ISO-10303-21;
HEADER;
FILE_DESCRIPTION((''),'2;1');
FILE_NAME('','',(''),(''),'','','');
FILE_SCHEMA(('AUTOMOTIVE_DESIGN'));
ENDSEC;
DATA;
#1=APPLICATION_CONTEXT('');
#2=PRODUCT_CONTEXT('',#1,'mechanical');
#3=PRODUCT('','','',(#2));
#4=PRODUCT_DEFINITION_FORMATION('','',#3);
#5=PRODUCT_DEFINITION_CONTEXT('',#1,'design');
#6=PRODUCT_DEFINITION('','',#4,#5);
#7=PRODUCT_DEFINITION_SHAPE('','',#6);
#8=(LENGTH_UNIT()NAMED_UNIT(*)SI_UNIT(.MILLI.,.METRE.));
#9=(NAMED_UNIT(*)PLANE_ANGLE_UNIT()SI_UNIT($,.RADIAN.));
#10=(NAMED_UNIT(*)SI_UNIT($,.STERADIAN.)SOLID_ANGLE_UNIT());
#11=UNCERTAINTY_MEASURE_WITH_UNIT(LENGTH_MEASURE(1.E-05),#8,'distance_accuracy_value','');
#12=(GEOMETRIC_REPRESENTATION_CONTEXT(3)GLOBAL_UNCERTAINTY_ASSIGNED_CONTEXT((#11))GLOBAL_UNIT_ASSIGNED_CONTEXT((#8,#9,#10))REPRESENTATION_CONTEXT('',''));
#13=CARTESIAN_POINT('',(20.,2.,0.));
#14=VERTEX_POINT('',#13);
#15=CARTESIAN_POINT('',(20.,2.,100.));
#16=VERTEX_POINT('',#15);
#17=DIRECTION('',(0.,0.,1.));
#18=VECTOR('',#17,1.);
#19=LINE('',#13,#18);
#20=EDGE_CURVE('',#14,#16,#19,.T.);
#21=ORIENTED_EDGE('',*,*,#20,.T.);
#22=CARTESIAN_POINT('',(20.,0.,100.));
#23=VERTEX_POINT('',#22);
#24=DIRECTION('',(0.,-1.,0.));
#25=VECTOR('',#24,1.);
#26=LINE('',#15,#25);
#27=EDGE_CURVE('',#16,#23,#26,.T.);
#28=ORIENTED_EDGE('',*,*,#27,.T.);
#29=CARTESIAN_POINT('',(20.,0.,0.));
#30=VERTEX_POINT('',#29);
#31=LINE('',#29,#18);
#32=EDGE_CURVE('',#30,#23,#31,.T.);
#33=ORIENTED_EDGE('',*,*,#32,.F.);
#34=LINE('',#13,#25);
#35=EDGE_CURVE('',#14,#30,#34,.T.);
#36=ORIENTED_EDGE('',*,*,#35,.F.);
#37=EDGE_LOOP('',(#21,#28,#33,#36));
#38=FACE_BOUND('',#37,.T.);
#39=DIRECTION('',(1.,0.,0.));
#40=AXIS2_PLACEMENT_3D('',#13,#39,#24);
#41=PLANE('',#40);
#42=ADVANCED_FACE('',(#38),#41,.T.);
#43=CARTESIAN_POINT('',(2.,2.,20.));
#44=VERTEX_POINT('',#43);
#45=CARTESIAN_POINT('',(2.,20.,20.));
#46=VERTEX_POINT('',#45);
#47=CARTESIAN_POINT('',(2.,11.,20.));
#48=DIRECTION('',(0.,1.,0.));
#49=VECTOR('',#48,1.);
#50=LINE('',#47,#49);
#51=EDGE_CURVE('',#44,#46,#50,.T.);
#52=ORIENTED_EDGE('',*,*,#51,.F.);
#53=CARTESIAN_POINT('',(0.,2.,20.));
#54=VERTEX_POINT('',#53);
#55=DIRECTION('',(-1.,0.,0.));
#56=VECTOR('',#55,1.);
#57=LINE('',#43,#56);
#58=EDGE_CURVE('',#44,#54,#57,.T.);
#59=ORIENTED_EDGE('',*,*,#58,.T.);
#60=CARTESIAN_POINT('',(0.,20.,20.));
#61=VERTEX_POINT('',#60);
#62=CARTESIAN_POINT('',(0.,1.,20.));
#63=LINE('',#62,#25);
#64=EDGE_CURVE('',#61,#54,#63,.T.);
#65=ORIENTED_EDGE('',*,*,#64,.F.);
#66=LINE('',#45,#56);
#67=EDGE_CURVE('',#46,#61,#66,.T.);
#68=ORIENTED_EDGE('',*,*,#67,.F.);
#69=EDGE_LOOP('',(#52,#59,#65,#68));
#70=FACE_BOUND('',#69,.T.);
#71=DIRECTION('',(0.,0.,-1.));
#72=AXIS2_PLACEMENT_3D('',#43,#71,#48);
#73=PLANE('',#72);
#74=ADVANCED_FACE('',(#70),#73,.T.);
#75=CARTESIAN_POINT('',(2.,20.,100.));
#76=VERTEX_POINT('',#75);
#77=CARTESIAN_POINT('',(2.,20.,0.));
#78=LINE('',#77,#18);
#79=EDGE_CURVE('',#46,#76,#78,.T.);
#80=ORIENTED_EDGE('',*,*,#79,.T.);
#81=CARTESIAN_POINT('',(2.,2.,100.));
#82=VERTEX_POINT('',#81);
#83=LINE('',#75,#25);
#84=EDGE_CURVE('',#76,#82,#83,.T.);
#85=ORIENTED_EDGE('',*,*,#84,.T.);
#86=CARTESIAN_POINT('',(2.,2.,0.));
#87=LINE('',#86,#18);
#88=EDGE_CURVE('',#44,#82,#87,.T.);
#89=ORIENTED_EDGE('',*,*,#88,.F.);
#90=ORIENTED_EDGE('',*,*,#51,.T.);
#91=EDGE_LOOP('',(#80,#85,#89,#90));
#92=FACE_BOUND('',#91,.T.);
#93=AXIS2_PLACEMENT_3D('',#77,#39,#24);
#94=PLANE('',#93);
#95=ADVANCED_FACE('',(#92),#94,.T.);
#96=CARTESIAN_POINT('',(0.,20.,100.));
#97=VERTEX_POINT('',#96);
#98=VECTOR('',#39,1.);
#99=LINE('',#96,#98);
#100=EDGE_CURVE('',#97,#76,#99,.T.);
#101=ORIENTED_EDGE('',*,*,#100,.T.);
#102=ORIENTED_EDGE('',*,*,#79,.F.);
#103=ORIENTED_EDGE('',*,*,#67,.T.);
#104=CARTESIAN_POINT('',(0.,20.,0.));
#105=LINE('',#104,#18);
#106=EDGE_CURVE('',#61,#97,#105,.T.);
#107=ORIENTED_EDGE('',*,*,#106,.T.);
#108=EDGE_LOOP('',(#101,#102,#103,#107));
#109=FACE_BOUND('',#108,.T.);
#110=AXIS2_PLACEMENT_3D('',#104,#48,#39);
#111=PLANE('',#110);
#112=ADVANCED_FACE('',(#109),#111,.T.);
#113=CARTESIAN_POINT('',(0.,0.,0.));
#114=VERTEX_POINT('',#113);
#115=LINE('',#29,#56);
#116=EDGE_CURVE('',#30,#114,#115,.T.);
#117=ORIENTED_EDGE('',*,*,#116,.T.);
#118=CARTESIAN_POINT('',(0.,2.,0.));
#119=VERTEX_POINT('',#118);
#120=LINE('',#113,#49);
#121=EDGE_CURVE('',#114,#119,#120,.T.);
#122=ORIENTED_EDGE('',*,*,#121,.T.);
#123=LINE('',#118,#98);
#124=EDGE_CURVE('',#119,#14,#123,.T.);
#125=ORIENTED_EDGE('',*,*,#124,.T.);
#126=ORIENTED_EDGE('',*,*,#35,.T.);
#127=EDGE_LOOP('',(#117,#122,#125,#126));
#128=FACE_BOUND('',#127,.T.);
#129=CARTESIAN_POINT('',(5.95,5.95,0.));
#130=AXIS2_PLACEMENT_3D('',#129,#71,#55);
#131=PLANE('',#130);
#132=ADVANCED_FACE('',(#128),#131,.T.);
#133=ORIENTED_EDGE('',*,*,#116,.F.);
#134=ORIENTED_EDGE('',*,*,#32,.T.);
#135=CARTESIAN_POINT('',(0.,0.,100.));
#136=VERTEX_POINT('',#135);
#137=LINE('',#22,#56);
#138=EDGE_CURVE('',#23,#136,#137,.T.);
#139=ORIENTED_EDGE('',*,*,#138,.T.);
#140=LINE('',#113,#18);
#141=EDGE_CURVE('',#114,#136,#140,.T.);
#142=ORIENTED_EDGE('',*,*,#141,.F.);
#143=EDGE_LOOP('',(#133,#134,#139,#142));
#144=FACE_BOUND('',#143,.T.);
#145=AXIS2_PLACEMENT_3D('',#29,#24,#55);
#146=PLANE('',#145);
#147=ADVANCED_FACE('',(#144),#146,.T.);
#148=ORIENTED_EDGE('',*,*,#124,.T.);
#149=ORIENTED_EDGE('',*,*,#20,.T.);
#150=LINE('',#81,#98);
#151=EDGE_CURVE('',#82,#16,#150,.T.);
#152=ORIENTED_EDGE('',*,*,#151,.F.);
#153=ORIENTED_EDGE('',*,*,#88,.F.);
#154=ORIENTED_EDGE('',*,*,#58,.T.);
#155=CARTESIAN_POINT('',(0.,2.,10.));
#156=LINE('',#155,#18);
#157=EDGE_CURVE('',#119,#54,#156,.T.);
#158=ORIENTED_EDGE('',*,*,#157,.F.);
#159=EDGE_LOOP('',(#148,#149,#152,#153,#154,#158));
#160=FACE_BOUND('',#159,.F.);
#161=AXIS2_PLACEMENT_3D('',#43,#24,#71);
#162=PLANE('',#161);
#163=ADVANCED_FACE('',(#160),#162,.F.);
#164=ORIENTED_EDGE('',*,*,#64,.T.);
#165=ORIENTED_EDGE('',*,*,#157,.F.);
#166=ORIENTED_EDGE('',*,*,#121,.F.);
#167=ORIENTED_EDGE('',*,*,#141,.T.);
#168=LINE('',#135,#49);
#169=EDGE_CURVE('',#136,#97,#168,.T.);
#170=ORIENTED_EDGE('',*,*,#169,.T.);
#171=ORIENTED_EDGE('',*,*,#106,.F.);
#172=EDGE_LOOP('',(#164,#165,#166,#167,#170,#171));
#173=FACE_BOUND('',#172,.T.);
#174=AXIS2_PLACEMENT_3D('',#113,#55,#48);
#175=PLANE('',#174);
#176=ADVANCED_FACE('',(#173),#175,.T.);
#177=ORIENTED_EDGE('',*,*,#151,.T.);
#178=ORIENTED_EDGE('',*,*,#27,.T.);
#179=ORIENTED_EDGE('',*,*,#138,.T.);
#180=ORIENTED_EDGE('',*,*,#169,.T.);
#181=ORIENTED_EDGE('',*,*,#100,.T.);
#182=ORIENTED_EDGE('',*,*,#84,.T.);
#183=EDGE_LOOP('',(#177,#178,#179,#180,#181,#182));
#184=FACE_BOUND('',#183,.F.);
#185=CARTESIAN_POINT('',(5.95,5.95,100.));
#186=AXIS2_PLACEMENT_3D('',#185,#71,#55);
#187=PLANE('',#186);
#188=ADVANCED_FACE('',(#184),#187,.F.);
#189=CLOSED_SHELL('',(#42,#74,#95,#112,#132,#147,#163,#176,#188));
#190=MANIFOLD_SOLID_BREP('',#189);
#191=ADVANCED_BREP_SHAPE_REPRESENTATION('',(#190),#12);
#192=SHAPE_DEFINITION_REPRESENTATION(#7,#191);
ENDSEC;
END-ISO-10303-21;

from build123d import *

# Parameters (mm, degrees)
BOSS_EXTRUDE1_DEPTH = 100
SKETCH2_W           = 20
SKETCH2_H           = 18
CUT_EXTRUDE1_DEPTH  = 3


with BuildPart() as part:
    # Sketch1 → Boss-Extrude1 (new body)
    with BuildSketch(Plane.XY):
        Polygon((0, 0), (0, 20), (2, 20), (2, 2), (20, 2), (20, 0), align=None)
    extrude(amount=BOSS_EXTRUDE1_DEPTH)

    # Sketch2 → Cut-Extrude1 (cut, through all)
    with BuildSketch(Plane(origin=(2, 0, 0), x_dir=(0, 0, -1), z_dir=(1, 0, 0))):
        with Locations((-10, 11)):
            Rectangle(SKETCH2_W, SKETCH2_H)
    extrude(amount=-CUT_EXTRUDE1_DEPTH, mode=Mode.SUBTRACT)


solid = part.part
